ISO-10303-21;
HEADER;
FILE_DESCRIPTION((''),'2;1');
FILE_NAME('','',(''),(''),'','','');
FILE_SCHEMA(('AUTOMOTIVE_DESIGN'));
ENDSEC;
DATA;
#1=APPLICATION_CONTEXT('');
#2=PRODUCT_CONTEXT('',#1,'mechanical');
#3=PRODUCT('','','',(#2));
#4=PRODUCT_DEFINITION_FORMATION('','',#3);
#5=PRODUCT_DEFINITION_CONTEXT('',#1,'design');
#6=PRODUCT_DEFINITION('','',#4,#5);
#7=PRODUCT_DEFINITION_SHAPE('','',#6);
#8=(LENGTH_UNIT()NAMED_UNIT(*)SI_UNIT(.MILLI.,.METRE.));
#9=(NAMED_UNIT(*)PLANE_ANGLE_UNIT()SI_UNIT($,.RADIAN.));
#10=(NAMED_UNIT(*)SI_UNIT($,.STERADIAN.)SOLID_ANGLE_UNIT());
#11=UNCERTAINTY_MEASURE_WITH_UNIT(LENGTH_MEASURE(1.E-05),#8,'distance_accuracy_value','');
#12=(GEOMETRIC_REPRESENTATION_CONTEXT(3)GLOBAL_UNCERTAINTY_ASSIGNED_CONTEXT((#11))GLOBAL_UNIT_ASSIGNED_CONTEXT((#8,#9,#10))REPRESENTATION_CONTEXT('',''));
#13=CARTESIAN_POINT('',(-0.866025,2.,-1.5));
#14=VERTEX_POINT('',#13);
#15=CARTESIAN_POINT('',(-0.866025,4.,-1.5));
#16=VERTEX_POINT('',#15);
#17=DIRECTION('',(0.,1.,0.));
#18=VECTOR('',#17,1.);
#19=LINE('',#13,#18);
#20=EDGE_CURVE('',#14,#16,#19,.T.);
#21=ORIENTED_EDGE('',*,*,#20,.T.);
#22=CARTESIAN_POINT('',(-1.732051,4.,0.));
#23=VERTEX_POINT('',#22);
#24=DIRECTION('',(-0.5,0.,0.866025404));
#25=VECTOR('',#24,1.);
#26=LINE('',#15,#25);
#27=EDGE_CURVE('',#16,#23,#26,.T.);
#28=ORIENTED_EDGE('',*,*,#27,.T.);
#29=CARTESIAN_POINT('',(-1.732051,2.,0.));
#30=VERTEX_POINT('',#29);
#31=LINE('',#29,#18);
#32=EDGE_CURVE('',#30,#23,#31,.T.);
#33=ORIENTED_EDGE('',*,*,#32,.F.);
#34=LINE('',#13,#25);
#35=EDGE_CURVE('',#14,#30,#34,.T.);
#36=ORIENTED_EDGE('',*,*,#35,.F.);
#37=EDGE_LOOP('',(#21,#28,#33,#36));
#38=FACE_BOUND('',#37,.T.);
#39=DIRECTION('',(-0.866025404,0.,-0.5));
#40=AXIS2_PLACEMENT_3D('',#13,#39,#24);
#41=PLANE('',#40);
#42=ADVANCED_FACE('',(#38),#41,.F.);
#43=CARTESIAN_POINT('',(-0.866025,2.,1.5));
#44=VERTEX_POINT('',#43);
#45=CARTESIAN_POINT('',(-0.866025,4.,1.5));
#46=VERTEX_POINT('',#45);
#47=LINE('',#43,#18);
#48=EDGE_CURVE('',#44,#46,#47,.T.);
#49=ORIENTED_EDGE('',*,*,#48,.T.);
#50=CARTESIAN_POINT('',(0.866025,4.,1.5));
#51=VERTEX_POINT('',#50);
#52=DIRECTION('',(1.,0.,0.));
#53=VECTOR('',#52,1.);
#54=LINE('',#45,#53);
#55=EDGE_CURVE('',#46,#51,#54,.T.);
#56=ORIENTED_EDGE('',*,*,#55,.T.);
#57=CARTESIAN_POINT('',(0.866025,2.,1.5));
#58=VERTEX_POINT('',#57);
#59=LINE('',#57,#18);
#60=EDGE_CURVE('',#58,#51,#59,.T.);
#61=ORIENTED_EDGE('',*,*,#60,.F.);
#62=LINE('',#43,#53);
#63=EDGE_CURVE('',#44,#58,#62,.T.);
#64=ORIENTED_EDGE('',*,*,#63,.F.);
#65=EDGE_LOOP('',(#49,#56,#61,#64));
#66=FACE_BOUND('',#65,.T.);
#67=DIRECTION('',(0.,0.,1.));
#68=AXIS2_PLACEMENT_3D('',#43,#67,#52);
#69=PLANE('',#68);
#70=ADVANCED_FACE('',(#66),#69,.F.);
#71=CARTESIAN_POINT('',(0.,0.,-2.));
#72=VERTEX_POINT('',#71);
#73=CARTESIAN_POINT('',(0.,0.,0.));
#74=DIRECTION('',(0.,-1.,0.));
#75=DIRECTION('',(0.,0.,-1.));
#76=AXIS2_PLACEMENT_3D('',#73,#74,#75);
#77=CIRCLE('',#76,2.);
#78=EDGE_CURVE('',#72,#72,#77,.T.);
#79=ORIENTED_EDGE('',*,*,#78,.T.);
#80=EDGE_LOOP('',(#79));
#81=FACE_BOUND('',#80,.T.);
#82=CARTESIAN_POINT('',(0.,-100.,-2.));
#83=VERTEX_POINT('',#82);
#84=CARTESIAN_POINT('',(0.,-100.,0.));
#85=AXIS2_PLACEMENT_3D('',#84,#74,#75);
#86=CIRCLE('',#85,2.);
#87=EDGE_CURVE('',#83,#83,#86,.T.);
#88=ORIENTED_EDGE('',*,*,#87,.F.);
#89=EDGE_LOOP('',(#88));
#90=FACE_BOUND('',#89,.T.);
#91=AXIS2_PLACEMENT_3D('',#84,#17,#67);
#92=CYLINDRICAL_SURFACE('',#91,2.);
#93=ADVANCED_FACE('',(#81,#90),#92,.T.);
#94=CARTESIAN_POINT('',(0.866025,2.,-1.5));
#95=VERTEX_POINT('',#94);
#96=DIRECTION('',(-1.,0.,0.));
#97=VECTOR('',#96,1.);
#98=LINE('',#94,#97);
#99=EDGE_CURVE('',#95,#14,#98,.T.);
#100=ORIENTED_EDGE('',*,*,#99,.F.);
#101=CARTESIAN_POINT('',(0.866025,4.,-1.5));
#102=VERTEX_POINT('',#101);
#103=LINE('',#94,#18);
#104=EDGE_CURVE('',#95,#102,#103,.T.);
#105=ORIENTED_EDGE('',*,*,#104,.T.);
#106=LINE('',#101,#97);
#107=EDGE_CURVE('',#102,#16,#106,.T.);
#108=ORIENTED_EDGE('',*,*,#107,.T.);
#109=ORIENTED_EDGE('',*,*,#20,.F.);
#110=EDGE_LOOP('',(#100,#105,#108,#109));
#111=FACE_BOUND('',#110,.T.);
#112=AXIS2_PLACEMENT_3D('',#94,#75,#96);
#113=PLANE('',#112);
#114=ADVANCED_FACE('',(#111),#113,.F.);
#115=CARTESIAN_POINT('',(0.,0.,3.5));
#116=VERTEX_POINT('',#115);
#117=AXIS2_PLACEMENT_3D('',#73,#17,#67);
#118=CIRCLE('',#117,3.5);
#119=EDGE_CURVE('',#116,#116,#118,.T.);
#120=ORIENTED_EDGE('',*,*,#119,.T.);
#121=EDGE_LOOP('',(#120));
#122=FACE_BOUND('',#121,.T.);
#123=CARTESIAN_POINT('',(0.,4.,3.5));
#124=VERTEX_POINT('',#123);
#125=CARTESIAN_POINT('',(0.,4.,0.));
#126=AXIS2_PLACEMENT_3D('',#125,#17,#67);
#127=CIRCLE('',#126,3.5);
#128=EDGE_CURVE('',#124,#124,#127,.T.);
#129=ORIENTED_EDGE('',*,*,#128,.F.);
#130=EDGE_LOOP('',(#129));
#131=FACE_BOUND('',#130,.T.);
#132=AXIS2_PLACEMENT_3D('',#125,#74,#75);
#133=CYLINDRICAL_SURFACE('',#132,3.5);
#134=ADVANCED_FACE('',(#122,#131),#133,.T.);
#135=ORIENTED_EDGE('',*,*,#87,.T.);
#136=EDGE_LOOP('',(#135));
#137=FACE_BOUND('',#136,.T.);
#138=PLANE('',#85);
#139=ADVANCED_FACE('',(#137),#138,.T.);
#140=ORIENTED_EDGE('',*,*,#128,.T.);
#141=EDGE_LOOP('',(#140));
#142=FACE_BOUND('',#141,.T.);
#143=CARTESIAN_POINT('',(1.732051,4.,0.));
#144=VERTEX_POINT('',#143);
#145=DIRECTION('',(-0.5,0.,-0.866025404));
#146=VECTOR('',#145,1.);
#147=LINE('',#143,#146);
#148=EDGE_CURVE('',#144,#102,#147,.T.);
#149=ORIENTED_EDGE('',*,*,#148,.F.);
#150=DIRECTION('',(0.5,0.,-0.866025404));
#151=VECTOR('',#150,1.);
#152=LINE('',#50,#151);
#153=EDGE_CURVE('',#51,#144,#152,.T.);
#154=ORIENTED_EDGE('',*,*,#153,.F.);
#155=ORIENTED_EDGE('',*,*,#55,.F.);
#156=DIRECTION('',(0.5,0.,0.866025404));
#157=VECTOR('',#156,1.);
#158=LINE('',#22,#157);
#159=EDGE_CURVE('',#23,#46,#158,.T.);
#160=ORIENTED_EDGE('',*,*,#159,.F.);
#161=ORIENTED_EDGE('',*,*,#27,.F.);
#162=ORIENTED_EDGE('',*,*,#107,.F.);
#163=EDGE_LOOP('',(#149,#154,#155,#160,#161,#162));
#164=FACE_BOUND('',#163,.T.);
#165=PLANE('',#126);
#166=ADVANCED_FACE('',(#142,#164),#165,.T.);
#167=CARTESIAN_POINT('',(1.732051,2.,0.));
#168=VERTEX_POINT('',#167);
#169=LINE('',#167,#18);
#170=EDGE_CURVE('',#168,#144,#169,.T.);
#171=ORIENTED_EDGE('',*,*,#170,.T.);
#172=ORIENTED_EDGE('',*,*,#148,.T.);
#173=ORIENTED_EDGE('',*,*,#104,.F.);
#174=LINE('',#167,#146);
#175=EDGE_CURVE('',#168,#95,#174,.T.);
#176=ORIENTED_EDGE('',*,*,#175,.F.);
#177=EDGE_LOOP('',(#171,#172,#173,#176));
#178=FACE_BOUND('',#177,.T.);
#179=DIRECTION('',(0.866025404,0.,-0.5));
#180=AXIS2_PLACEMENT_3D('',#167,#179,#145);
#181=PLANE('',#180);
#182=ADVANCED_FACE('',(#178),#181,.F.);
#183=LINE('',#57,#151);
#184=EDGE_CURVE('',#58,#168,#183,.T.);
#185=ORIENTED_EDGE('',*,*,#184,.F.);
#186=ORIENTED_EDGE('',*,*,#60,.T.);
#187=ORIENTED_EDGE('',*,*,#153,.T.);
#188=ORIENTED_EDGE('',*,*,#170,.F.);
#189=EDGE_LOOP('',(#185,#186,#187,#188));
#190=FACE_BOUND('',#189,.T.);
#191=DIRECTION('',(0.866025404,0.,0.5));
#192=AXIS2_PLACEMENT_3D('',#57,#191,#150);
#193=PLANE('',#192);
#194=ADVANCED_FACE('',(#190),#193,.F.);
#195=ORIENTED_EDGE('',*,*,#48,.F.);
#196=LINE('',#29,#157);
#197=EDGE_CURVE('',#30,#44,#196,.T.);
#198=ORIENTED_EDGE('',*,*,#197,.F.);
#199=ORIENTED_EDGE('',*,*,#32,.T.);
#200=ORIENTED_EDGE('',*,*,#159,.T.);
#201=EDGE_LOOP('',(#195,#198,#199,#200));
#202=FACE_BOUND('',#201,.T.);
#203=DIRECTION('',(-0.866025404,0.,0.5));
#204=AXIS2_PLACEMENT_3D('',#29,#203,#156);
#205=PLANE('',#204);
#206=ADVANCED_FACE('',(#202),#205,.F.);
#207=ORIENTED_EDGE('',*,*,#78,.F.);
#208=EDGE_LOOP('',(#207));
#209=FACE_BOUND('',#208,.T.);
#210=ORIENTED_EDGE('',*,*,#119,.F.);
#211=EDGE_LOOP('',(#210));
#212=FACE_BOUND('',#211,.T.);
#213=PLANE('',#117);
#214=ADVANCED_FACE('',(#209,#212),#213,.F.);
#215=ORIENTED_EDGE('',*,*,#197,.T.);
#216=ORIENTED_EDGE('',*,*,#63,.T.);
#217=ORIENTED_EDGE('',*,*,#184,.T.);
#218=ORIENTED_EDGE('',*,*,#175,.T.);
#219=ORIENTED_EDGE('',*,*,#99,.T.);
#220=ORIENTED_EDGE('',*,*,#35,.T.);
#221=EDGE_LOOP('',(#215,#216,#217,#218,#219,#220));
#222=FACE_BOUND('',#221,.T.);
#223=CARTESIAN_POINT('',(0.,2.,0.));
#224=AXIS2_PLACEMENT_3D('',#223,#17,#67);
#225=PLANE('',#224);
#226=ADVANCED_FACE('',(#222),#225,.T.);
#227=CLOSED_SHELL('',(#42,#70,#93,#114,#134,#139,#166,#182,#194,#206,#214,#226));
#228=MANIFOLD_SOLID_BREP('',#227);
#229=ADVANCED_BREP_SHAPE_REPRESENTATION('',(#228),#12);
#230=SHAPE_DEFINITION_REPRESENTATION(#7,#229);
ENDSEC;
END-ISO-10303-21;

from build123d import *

# Parameters (mm, degrees)
SKETCH_1_R            = 3.5
EXTRUDE_246_DEPTH     = 4
CUT_EXTRUDE_376_DEPTH = 2
SKETCH_3_R            = 2
EXTRUDE_477_DEPTH     = 100


with BuildPart() as part:
    # 草图1 → Extrude 246 (new body)
    with BuildSketch(Plane(origin=(0, 0, 0), x_dir=(1, 0, 0), z_dir=(0, 1, 0))):
        Circle(SKETCH_1_R)
    extrude(amount=EXTRUDE_246_DEPTH)

    # 草图2 → Cut-Extrude 376 (cut)
    with BuildSketch(Plane(origin=(0, 4, 0), x_dir=(1, 0, 0), z_dir=(0, 1, 0))):
        Polygon((1.732050808, 0), (0.866025404, 1.5), (-0.866025404, 1.5), (-1.732050808, 0), (-0.866025404, -1.5), (0.866025404, -1.5), align=None)
    extrude(amount=-CUT_EXTRUDE_376_DEPTH, mode=Mode.SUBTRACT)

    # 草图3 → Extrude 477 (add)
    with BuildSketch(Plane.XZ):
        Circle(SKETCH_3_R)
    extrude(amount=EXTRUDE_477_DEPTH)


solid = part.part
